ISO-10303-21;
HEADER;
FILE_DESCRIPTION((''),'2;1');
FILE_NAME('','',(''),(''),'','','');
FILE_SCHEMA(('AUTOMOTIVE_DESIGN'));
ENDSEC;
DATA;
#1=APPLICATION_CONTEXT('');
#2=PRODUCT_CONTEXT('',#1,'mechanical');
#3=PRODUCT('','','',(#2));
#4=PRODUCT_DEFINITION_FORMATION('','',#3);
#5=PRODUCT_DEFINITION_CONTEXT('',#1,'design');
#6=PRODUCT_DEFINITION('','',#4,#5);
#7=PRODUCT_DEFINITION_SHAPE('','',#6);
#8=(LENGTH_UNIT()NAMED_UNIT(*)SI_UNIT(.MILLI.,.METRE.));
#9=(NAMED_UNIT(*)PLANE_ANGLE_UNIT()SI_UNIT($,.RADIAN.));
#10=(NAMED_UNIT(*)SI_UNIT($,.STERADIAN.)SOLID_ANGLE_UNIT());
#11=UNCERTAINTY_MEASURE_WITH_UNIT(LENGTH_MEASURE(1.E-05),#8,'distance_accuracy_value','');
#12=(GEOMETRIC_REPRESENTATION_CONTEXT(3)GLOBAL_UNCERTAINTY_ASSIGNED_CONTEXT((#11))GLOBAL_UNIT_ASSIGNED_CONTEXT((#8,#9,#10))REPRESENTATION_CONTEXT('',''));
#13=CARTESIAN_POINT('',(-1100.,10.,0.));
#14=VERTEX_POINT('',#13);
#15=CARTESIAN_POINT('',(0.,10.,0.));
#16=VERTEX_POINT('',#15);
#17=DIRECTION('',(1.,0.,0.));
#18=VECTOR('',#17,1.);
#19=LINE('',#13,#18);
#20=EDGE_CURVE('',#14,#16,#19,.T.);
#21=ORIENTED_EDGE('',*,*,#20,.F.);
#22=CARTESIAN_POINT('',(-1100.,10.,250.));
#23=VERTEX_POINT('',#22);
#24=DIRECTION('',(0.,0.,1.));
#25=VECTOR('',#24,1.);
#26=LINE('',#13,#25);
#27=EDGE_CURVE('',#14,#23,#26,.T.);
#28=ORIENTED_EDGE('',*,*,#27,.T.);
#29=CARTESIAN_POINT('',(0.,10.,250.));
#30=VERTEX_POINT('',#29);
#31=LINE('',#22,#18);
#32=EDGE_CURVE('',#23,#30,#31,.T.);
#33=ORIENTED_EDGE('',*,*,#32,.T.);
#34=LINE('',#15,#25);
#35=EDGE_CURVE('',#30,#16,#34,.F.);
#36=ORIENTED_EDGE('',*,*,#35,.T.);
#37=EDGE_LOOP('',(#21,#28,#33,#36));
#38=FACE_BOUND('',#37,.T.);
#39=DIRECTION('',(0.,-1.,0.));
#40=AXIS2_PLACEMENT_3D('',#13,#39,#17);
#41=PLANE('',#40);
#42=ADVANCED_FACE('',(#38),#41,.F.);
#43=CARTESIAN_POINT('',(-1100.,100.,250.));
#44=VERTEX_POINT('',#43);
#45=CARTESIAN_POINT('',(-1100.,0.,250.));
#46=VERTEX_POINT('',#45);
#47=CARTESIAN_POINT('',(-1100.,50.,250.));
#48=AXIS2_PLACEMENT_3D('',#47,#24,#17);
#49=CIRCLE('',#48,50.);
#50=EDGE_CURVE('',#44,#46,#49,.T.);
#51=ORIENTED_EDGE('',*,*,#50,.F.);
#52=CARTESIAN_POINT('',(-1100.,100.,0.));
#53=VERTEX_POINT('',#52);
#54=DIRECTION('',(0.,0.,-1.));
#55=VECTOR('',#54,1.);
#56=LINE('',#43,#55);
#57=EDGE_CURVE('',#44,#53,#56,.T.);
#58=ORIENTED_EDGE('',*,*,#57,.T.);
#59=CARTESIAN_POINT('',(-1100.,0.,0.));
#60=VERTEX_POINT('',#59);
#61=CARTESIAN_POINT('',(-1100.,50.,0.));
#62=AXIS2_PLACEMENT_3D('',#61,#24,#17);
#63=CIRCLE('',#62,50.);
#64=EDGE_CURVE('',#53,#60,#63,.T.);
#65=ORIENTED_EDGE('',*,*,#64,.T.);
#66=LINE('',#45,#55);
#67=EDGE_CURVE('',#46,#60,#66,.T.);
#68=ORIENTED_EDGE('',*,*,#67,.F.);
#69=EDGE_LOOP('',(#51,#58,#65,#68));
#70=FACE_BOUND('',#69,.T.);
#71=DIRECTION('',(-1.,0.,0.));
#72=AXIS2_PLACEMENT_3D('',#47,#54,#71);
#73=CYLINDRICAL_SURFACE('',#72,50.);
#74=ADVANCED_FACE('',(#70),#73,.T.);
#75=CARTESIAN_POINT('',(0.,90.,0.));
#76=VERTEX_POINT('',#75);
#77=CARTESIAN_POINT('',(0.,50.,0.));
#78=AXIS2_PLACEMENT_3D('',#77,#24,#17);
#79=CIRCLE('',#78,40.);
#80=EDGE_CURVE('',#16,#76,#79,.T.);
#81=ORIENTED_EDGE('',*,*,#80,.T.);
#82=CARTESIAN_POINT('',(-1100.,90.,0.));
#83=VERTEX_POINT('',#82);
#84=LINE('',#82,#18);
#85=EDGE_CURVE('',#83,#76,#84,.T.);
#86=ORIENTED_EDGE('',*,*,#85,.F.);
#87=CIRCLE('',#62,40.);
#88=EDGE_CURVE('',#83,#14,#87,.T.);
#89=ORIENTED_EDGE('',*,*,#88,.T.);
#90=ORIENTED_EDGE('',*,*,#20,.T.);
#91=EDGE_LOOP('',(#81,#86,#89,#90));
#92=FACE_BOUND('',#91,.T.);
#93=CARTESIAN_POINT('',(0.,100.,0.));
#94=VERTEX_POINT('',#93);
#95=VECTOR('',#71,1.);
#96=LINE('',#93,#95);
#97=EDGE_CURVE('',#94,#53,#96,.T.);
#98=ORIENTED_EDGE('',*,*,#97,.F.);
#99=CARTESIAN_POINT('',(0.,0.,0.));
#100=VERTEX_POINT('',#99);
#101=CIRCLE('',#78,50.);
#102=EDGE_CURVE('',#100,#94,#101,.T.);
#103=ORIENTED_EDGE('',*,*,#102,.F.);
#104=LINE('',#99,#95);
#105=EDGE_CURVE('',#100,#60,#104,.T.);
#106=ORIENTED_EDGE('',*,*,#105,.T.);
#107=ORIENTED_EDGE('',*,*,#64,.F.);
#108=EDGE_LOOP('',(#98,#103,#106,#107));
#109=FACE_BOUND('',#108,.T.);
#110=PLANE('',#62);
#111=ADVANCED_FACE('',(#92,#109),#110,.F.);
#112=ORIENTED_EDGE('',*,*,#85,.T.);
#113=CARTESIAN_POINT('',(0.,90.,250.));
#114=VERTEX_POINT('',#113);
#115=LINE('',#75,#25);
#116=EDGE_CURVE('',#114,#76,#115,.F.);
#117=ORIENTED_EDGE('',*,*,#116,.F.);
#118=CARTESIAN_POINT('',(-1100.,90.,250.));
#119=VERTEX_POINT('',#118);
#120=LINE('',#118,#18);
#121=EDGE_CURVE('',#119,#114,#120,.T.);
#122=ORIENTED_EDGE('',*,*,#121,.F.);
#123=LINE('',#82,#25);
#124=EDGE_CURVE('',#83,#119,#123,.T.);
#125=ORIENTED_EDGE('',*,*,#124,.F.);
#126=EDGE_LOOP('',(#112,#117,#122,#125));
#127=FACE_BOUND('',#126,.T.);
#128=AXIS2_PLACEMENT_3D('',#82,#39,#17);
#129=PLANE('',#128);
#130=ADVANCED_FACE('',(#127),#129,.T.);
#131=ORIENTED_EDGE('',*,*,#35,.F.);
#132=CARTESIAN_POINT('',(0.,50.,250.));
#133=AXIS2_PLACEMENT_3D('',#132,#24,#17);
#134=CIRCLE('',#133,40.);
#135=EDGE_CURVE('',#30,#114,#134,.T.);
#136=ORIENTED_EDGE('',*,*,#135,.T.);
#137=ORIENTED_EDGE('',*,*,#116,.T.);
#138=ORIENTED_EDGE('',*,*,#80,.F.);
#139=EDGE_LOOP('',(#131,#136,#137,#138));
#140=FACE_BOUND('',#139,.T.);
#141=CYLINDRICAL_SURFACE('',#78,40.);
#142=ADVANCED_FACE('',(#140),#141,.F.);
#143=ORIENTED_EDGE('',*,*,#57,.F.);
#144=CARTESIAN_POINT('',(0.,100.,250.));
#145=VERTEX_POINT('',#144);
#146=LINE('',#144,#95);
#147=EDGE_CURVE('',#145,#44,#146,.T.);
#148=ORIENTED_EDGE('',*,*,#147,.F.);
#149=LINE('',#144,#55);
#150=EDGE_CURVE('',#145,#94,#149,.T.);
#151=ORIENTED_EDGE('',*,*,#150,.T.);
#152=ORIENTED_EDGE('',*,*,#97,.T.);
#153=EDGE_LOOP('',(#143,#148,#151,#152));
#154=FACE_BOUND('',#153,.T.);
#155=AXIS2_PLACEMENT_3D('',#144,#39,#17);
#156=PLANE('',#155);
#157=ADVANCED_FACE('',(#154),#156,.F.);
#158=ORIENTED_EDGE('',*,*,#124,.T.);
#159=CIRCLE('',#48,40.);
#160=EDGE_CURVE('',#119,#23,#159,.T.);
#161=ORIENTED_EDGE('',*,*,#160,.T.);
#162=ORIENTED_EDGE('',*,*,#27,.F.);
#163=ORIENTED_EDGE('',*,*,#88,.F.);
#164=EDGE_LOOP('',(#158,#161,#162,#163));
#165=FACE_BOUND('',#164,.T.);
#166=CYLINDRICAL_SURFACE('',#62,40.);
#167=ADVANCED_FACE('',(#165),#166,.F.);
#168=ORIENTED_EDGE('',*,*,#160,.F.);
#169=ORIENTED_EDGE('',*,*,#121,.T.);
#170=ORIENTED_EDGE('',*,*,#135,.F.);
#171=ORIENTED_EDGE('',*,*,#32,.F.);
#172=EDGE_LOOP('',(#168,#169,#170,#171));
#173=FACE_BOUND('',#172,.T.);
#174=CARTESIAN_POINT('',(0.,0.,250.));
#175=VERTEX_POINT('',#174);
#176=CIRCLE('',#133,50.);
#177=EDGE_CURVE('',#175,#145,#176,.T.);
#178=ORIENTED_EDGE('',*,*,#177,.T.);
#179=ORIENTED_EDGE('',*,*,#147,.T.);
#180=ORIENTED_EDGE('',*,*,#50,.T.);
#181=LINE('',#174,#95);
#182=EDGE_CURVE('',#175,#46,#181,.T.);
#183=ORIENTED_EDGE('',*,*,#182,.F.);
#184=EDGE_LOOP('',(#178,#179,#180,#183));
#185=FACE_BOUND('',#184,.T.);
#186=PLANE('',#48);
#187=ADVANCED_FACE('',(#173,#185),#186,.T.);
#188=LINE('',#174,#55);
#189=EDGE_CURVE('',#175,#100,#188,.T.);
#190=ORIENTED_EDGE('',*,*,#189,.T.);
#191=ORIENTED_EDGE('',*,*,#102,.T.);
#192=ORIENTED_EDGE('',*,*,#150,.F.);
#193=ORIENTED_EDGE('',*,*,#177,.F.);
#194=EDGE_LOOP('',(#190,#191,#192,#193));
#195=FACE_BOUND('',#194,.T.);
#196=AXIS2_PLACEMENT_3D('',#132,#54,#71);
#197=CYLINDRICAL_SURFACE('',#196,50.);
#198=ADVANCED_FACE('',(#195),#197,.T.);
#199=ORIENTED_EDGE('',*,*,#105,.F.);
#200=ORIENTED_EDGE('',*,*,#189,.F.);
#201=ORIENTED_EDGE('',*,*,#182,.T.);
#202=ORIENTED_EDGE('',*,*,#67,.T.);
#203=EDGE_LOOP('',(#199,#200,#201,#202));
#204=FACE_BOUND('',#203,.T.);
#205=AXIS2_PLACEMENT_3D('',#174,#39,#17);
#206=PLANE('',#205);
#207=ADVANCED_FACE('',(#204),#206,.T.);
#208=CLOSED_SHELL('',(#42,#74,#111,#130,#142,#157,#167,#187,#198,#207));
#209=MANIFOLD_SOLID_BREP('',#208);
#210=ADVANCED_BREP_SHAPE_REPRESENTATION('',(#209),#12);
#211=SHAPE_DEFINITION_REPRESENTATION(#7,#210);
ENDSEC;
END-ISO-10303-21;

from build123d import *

# Parameters (mm, degrees)
SKETCH2_R           = 50
SKETCH2_W           = 1100
SKETCH2_H           = 100
BOSS_EXTRUDE1_DEPTH = 250
SKETCH3_R           = 40
SKETCH3_W           = 1100
SKETCH3_H           = 80
CUT_EXTRUDE1_DEPTH  = 1182.101181102


with BuildPart() as part:
    # Sketch2 → Boss-Extrude1 (new body)
    with BuildSketch(Plane.XY):
        with Locations((-1100, 50)):
            Circle(SKETCH2_R)
        with Locations((0, 50)):
            Circle(SKETCH2_R)
        with Locations((-550, 50)):
            Rectangle(SKETCH2_W, SKETCH2_H)
    extrude(amount=BOSS_EXTRUDE1_DEPTH)

    # Sketch3 → Cut-Extrude1 (cut, through all)
    with BuildSketch(Plane.XY.offset(250)):
        with Locations((-1100, 50)):
            Circle(SKETCH3_R)
        with Locations((0, 50)):
            Circle(SKETCH3_R)
        with Locations((-550, 50)):
            Rectangle(SKETCH3_W, SKETCH3_H)
    extrude(amount=-CUT_EXTRUDE1_DEPTH, mode=Mode.SUBTRACT)


solid = part.part
